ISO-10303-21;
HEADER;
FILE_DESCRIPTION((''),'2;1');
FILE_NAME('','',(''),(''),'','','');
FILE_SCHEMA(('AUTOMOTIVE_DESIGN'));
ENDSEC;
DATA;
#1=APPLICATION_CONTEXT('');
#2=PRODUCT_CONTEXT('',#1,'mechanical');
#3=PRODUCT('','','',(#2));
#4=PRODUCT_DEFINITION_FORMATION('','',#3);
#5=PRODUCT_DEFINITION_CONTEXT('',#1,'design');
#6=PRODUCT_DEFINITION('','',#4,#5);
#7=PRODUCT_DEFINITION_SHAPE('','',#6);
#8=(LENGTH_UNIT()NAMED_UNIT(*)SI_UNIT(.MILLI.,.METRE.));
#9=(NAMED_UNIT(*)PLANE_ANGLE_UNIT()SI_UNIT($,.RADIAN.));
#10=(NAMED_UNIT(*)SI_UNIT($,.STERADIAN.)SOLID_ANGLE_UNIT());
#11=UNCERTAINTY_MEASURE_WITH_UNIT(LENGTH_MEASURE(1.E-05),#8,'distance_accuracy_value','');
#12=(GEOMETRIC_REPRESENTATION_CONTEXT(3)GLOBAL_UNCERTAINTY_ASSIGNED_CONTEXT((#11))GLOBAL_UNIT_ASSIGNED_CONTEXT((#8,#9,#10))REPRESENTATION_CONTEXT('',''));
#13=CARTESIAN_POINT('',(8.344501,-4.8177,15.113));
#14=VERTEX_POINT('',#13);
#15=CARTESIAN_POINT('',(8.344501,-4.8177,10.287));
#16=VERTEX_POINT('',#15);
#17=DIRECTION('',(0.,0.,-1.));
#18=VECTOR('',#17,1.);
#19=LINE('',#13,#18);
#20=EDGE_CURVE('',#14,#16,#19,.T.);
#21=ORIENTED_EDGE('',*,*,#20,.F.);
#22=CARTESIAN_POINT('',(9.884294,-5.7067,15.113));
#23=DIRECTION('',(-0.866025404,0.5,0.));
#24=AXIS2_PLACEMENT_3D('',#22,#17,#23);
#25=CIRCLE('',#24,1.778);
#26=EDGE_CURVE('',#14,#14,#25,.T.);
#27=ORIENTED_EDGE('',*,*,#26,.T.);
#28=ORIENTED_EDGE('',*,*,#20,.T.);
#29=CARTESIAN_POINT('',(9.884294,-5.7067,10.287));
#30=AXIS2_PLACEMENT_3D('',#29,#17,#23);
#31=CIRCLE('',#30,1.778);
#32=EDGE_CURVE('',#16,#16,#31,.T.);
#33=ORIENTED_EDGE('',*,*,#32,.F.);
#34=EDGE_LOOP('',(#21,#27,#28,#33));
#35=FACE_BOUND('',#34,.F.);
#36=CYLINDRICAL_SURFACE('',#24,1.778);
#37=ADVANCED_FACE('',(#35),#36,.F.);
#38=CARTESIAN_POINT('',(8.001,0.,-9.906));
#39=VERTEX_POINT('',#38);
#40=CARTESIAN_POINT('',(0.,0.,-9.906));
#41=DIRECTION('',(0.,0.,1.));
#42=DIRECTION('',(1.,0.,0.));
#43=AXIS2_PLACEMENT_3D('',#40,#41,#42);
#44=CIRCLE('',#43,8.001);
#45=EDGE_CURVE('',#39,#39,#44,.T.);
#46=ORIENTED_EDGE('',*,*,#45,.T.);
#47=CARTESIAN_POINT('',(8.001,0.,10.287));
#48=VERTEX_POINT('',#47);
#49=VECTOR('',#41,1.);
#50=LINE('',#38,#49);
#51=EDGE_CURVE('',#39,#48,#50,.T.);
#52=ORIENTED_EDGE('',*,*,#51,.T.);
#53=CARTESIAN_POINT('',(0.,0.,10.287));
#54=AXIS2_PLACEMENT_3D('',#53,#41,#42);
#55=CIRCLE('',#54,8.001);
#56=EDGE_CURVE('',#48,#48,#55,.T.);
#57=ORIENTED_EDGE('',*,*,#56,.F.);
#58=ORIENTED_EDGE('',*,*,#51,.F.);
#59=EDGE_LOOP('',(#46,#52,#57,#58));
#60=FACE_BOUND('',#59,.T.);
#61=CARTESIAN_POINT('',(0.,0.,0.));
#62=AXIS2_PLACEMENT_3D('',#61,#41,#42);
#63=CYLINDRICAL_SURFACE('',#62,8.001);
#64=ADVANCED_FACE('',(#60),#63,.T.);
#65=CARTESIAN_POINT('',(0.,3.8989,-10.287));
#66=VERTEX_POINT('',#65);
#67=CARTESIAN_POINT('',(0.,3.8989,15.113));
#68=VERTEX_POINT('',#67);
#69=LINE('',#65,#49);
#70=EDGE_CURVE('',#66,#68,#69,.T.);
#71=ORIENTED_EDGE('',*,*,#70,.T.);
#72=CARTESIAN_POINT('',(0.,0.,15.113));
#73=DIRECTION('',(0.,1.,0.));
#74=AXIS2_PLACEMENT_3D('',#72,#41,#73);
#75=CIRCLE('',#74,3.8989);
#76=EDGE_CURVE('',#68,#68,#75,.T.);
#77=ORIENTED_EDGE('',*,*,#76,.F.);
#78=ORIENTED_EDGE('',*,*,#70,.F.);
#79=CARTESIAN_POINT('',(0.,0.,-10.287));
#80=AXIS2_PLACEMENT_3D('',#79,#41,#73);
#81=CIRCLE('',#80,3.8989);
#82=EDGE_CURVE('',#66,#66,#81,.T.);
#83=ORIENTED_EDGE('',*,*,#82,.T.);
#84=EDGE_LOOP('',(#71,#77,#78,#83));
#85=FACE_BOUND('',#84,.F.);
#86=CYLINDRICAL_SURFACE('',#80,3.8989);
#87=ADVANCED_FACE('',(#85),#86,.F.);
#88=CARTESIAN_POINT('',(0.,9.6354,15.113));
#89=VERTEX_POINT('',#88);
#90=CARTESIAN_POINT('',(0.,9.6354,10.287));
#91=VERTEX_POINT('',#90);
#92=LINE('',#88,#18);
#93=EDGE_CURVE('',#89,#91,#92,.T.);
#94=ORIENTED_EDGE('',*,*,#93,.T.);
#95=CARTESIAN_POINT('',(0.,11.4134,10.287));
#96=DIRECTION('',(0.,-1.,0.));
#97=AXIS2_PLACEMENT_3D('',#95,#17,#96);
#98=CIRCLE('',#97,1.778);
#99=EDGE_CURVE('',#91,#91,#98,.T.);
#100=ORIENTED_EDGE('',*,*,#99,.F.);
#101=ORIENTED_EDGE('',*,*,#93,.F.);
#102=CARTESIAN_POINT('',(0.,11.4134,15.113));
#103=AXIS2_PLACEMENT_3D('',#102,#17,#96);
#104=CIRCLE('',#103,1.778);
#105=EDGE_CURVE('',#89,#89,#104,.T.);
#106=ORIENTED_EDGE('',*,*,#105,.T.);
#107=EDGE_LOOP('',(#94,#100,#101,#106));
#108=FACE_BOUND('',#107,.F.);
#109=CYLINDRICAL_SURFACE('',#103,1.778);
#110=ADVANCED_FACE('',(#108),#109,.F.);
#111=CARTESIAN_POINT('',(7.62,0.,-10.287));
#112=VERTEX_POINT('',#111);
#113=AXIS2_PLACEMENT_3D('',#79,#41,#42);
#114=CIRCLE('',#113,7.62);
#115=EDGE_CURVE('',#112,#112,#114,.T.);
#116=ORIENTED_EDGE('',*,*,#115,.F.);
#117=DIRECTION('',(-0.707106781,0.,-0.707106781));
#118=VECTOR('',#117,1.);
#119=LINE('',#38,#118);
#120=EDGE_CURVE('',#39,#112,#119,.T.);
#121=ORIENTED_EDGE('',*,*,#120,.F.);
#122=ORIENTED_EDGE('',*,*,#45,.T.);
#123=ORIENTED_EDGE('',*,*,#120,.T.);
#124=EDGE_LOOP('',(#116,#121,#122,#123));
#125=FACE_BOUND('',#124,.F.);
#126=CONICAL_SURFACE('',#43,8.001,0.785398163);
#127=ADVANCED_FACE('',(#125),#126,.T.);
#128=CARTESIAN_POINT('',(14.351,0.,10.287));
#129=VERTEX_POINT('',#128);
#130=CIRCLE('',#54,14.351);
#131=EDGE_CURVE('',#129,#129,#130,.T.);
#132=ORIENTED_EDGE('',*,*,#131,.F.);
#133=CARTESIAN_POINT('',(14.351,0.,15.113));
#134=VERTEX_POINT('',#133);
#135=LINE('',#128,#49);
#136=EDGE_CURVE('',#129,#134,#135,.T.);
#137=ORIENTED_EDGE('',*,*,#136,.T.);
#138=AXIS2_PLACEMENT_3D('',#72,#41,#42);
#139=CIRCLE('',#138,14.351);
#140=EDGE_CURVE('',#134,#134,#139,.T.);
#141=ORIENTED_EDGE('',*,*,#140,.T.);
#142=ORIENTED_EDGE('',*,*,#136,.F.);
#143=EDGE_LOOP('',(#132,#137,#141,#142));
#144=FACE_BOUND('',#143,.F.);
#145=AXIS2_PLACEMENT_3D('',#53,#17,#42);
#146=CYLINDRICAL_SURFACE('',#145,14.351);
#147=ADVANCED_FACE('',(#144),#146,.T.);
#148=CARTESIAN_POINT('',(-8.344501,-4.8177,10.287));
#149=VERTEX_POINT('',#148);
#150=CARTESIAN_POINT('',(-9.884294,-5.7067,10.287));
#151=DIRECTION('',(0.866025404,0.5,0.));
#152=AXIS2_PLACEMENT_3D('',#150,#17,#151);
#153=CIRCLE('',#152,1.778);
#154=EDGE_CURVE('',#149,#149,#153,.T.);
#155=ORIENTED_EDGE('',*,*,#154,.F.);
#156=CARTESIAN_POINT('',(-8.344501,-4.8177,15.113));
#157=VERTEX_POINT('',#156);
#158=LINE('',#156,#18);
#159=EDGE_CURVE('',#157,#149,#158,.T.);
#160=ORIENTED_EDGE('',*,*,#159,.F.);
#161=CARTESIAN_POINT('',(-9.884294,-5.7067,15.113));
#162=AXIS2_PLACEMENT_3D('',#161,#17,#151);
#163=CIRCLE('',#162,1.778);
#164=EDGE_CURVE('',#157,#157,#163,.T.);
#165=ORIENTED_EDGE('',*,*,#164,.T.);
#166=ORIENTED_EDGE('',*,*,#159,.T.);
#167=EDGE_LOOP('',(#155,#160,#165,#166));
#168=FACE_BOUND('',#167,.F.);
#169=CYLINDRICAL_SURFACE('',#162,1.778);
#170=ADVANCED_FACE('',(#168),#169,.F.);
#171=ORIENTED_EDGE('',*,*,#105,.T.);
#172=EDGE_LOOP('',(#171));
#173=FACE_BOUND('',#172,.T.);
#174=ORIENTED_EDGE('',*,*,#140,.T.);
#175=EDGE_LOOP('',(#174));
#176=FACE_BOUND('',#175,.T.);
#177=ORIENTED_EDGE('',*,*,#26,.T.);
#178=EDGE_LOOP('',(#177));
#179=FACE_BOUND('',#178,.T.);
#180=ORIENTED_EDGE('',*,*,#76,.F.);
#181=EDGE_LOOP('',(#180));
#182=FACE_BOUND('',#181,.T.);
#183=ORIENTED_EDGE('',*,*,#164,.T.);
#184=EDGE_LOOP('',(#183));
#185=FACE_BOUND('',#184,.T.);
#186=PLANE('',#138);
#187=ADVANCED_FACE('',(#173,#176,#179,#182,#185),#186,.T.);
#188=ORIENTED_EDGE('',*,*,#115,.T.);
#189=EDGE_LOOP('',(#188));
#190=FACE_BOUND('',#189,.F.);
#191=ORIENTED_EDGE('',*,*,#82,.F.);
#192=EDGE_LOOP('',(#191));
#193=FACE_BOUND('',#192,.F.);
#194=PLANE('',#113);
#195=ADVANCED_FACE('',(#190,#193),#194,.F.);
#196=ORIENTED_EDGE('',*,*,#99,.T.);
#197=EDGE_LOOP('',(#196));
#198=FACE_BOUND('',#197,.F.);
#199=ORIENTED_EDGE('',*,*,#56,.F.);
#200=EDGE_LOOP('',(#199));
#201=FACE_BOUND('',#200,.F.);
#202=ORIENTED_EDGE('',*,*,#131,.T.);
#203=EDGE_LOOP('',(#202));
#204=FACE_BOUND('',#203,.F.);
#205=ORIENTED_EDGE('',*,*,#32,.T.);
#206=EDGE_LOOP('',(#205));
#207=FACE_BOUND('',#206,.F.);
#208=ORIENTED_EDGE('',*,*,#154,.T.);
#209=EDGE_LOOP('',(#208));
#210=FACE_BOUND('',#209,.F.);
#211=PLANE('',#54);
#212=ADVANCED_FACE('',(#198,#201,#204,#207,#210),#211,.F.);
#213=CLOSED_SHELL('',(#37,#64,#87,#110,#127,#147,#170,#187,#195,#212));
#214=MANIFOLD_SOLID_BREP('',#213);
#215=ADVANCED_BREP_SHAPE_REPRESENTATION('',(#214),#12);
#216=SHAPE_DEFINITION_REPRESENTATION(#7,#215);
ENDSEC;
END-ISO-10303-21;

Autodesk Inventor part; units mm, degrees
ref_plane "YZ Plane" through (0, 0, 0) normal (1, 0, 0) x (0, 1, 0)
ref_plane "XZ Plane" through (0, 0, 0) normal (0, 1, 0) x (-1, 0, 0)
ref_plane "XY Plane" through (0, 0, 0) normal (0, 0, 1) x (1, 0, 0)
sketch "Sketch1" plane through (0, 0, 0) normal (0, 0, 1) x (1, 0, 0)
  circle A0 centre (0, 0) radius 8.001
  dimension "d0" = 16.002
extrude "Extrusion1" add sketch "Sketch1" along normal mid plane 20.574
sketch "Sketch2" plane through (0, 0, 10.287) normal (0, 0, 1) x (1, 0, 0)
  circle A0 centre (0, 0) radius 8.001 projected
  circle A1 centre (0, 0) radius 14.351
  dimension "d29" = 28.702
extrude "Extrusion2" add sketch "Sketch2" along normal blind 4.826 contours A0 | A1
sketch "Sketch4" plane through (0, 0, -10.287) normal (0, 0, -1) x (-1, 0, 0)
  circle A0 centre (0, 0) radius 8.001 projected
hole "Hole2" at (0, 0, -10.287) direction (0, 0, 1) diameter 7.7978 end through all thread size "3/8-16 UNC" class "2B" standard "ANSI Unified Screw Threads"
chamfer "Chamfer1" distance 0.381 angle 45 1 edges at (-8.001, 0, -10.287)
sketch "Sketch6" plane through (0, 0, 15.113) normal (0, 0, 1) x (1, 0, 0)
  circle A0 centre (0, 0) radius 14.351 projected
  circle A1 centre (0, 0) radius 11.4134 construction
  point P0 (0, 11.4134)
hole "Hole3" at (0, 11.4134, 15.113) direction (0, 0, -1) diameter 3.556 end through all
pattern_circular "Circular Pattern1" count 3 over 360 about axis through (0, 0, 10.287) along (0, 0, 1) of "Hole3"
properties part number "LeadScrewNut" material "ABS Plastic"
